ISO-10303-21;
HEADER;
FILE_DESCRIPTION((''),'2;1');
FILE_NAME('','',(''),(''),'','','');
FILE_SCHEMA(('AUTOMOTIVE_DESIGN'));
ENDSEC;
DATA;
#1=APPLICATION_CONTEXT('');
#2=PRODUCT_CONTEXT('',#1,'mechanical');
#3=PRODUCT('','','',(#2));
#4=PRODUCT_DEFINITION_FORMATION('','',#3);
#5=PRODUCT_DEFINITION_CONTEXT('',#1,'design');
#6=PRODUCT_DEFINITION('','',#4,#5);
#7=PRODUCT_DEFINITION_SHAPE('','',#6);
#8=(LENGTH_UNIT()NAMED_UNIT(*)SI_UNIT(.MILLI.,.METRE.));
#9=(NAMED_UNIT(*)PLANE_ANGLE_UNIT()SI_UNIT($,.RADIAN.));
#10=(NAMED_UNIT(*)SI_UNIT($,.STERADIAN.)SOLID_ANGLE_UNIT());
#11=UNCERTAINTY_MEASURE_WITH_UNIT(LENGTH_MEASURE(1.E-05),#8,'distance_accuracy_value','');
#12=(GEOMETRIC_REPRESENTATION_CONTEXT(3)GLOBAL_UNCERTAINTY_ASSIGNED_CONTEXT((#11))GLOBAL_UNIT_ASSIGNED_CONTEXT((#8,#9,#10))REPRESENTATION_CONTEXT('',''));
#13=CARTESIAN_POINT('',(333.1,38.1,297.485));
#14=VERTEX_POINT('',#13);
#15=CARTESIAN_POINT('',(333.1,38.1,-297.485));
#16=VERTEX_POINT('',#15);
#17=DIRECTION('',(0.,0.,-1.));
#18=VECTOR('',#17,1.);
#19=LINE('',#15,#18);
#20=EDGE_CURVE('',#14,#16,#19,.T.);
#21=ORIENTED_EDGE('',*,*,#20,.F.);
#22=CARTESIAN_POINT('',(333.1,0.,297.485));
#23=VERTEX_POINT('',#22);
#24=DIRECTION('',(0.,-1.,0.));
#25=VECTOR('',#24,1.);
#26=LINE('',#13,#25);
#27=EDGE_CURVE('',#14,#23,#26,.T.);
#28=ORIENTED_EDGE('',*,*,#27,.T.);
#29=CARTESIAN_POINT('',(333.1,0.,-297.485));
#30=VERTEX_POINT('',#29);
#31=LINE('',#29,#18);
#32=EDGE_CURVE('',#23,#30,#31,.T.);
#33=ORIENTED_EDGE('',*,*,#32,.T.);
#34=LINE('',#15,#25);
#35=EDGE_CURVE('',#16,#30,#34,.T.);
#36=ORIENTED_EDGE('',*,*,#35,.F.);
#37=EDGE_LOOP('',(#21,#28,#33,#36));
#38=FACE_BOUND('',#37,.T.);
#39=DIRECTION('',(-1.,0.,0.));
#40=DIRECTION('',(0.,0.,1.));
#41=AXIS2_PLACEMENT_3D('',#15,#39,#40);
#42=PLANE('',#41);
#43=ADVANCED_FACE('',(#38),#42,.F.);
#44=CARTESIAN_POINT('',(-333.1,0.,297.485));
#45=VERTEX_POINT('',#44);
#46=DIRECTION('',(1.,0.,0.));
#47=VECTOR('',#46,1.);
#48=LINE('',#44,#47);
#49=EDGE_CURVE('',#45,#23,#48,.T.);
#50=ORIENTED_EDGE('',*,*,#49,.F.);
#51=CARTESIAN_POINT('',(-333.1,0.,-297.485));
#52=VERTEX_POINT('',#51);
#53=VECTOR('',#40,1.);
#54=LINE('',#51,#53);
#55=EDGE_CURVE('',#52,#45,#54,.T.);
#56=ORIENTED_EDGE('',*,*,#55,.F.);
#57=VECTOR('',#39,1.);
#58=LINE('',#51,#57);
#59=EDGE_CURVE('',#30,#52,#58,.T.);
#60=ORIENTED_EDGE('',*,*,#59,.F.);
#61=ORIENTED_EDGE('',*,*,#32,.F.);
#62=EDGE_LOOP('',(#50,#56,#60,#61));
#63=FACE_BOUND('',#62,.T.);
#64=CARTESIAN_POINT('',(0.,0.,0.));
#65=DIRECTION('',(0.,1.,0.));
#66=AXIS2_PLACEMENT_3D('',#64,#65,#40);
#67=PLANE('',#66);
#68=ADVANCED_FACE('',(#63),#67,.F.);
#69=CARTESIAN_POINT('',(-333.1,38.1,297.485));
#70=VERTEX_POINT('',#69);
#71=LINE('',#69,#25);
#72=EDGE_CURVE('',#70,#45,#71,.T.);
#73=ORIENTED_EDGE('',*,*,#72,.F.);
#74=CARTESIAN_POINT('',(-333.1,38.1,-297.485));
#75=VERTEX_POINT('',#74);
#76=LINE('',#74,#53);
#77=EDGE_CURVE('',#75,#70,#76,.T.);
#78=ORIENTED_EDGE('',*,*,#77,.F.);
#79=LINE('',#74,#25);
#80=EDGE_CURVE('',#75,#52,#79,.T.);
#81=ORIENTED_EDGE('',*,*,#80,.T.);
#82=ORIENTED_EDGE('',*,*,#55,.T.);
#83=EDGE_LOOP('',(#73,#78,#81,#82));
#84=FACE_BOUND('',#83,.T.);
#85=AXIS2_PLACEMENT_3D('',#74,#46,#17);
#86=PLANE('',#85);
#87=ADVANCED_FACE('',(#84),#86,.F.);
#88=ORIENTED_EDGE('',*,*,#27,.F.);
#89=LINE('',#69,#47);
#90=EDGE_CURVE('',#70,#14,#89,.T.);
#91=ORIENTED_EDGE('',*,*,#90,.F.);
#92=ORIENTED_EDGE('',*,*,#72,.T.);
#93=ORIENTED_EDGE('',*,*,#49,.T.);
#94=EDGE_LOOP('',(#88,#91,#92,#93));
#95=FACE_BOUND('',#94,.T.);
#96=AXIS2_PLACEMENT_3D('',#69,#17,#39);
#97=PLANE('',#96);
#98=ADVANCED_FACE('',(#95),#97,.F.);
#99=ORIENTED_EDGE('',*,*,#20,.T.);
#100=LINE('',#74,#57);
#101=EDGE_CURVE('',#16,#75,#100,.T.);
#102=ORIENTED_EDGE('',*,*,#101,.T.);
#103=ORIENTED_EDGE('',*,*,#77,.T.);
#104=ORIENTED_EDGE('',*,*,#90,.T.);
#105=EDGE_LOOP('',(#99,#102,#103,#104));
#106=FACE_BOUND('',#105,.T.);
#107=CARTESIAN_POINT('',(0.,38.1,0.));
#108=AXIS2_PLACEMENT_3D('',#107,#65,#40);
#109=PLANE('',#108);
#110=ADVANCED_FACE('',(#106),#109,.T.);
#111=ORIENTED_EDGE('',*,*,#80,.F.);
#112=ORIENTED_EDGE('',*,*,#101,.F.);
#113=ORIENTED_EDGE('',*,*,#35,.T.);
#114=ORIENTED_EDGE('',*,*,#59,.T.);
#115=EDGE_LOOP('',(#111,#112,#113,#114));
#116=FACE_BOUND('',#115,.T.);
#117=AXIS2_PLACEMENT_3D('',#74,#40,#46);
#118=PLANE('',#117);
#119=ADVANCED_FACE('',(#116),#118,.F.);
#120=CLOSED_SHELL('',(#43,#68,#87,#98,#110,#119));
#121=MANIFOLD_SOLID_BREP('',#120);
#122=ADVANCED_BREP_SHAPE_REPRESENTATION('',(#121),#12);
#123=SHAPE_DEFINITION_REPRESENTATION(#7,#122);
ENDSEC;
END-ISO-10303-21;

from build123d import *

# Parameters (mm, degrees)
SKETCH1_W           = 666.2
SKETCH1_H           = 594.97
BOSS_EXTRUDE1_DEPTH = 38.1


with BuildPart() as part:
    # Sketch1 → Boss-Extrude1 (new body)
    with BuildSketch(Plane(origin=(0, 0, 0), x_dir=(1, 0, 0), z_dir=(0, 1, 0))):
        Rectangle(SKETCH1_W, SKETCH1_H)
    extrude(amount=BOSS_EXTRUDE1_DEPTH)


solid = part.part
